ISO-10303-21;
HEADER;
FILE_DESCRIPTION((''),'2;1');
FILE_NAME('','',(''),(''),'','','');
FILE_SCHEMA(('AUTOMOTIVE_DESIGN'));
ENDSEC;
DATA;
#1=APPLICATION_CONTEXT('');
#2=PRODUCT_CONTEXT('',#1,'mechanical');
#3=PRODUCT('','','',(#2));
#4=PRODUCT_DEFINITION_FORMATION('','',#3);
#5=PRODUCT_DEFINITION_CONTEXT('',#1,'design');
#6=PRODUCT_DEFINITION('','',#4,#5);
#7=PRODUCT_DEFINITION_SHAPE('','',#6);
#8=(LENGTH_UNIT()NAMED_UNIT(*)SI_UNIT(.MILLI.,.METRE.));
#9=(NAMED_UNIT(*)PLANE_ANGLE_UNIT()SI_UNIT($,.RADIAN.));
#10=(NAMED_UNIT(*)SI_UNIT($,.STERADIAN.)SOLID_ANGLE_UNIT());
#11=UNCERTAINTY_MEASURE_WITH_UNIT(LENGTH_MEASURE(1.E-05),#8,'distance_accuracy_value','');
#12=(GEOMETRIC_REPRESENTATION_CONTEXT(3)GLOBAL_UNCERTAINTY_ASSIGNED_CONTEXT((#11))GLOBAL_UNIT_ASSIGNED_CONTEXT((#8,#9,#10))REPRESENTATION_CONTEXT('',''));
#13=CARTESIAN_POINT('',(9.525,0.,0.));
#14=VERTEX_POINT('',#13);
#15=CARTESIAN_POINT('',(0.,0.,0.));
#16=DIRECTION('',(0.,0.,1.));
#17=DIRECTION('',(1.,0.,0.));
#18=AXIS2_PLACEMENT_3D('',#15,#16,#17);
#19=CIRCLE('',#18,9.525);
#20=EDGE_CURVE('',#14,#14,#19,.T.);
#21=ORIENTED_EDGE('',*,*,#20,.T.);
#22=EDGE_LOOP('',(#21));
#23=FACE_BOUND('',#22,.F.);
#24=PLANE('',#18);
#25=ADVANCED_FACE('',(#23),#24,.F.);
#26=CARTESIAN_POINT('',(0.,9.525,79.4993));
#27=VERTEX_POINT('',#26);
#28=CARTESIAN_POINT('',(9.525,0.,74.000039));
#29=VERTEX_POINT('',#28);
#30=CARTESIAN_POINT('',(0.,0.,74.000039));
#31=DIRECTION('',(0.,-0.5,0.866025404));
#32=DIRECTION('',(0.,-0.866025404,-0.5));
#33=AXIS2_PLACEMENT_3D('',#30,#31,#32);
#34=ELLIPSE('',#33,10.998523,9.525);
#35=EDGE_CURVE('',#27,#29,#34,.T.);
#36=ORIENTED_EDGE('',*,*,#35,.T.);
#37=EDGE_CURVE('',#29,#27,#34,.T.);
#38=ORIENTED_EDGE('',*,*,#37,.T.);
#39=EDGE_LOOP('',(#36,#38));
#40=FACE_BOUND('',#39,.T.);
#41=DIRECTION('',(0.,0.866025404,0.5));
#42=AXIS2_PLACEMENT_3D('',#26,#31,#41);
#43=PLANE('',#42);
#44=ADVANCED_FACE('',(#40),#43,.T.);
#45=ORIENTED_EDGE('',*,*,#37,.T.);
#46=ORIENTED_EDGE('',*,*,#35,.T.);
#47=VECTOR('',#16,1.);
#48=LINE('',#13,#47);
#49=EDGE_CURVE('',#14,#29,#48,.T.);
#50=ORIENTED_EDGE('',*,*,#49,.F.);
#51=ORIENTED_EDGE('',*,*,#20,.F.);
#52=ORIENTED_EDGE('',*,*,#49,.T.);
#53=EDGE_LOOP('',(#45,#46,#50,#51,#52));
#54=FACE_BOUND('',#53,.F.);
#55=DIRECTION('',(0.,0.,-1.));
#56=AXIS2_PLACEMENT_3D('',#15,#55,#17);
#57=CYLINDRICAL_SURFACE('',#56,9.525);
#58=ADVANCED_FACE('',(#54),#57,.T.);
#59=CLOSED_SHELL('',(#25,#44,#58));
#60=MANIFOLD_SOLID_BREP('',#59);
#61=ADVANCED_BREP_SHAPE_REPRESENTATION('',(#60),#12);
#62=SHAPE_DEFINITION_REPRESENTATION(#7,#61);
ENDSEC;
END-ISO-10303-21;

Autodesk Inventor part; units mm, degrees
ref_plane "Start Plane" through (0, 0, 0) normal (0, 0, 1) x (1, 0, 0)
ref_plane "End Plane" through (0, 0, 79.4993) normal (0, 0, 1) x (1, 0, 0)
sketch "Sketch" plane through (0, 0, 0) normal (0, 0, 1) x (1, 0, 0)
  circle A0 centre (0, 0) radius 9.525
  dimension "d0" = 19.05
extrude "Body" add sketch "Sketch" along normal up to surface (79.4993 mm away) from surface at 0
sketch "Sketch2" plane through (0, 0, 0) normal (0, 0, 1) x (1, 0, 0)
  line L0 (0, 0) -> (10, 0)
ref_plane "Work Plane3" through (0, 0, 0) normal (0, -1, 0) x (1, 0, 0)
ref_plane "Work Plane4" through (0, 9.525, 79.4993) normal (0, -0.5, 0.866) x (1, 0, 0)
split "Split1" plane through (0, 9.525, 79.4993) removes the side toward (0, -0.5, 0.866)
sketch "Sketch3" plane through (0, 0, 0) normal (0, -1, 0) x (1, 0, 0)
  line L0 (-2, 0) -> (12, 0) projected
  line L1 (-2, 79.4993) -> (12, 79.4993) projected
  dimension "d7" = 79.4993
equation "\"d0\" = Diam"
equation "\"d1\" = G_L"
equation "\"Diam\" = 19.05"
equation "\"G_L\" = d7"
equation "\"G_OFFSET_START\" = 0"
equation "\"G_OFFSET_END\" = 5.49926"
equation "\"d5\" = G_OFFSET_END + B_L"
equation "\"B_L\" = 74"
properties part number "ANSI/AISC Rolled Steel - 3/4-3.13, RB" material "Steel, Mild"
